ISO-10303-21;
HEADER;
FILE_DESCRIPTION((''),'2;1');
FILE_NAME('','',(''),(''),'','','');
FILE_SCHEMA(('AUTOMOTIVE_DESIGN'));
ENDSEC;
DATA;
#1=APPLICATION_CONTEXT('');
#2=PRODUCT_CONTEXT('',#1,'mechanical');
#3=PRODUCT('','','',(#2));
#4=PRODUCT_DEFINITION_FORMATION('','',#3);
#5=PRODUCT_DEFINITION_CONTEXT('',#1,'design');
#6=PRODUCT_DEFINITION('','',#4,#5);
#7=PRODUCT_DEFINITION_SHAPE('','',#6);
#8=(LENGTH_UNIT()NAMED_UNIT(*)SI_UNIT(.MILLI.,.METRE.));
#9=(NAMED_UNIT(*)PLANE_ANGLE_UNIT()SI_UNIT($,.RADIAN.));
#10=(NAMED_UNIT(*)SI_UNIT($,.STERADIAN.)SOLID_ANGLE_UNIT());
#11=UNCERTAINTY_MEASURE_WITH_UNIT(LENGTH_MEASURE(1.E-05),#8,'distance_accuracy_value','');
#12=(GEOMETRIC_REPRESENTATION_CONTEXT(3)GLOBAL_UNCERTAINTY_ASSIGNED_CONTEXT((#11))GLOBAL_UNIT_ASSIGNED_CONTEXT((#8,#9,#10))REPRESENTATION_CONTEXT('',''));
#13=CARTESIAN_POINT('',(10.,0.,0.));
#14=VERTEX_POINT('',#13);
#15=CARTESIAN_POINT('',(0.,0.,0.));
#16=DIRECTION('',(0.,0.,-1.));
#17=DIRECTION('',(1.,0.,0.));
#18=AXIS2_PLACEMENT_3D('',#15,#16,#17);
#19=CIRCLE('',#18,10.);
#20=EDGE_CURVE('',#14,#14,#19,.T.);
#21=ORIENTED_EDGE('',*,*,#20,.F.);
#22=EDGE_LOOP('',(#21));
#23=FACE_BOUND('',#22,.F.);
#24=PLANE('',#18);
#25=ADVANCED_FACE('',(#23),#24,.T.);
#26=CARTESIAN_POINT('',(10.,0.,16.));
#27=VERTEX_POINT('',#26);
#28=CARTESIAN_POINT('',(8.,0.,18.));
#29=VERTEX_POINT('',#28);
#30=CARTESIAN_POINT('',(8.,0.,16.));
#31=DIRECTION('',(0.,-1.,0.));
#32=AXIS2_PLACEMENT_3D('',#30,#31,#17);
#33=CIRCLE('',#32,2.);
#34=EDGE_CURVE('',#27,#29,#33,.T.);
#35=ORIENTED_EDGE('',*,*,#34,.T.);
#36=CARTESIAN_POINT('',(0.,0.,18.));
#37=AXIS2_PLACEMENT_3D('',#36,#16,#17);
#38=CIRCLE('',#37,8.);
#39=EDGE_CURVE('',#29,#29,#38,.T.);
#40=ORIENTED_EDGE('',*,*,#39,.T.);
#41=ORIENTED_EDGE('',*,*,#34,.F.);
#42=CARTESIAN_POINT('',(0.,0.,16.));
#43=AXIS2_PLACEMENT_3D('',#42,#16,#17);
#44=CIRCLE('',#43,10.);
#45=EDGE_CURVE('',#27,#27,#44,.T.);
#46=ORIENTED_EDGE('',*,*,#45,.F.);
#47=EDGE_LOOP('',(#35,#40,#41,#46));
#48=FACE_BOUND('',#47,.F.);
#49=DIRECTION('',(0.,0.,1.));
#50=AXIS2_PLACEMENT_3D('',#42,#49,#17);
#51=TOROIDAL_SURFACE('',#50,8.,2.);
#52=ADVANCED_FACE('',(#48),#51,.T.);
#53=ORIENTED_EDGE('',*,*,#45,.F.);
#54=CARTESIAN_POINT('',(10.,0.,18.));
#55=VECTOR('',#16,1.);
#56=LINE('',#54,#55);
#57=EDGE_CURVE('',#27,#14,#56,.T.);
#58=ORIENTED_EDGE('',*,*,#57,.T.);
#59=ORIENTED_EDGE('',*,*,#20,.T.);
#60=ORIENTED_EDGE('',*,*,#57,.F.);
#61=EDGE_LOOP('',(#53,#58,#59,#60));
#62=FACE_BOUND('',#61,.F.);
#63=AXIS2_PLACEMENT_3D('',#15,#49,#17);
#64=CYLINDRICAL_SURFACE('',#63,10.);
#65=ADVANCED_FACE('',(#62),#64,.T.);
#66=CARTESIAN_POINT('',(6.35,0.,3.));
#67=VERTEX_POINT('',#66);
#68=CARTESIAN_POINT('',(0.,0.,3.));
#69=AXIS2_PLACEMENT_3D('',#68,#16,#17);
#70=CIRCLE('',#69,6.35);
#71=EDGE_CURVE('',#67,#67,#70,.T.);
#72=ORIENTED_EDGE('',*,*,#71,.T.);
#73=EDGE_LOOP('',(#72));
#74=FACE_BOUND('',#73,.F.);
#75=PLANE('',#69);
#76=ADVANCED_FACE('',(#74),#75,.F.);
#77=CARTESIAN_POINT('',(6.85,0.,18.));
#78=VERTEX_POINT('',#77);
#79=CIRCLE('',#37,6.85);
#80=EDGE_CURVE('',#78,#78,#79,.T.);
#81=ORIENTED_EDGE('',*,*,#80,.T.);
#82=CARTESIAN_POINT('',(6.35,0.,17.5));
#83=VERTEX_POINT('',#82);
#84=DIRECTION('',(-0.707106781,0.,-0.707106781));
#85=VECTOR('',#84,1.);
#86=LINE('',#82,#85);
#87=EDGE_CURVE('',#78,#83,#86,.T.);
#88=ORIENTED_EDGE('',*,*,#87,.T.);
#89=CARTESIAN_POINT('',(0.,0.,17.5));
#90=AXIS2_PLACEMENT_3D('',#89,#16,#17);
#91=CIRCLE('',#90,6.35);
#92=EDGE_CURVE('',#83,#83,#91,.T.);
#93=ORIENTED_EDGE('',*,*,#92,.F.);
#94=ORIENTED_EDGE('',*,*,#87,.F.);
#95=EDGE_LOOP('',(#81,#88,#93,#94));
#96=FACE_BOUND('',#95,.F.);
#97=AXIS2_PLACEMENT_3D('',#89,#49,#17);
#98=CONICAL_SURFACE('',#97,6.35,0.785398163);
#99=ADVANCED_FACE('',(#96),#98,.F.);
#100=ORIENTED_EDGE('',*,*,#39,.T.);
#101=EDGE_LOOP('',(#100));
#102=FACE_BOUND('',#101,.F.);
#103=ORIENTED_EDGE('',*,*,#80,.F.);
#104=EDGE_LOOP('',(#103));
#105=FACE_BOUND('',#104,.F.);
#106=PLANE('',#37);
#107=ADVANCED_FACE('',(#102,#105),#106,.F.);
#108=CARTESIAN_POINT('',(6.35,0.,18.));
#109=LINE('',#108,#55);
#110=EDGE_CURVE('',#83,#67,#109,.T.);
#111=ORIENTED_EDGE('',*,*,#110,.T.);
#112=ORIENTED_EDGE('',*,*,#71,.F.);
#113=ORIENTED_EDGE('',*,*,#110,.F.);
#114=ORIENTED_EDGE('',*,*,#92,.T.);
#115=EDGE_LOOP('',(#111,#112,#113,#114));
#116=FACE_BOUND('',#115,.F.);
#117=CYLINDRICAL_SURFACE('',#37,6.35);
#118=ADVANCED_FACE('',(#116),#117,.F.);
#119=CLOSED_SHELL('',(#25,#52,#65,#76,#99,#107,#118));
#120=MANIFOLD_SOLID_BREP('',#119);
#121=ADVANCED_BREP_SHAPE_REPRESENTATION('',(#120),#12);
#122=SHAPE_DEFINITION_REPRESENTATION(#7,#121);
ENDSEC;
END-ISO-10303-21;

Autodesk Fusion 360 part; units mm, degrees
sketch "Sketch1" plane through (0, 0, 0) normal (0, 1, 0) x (1, 0, 0)
  line L0 (0, 0) -> (10, 0)
  line L1 (10, 0) -> (10, -3)
  line L2 (10, -3) -> (0, -3)
  line L3 (0, -3) -> (0, 0)
  line L4 (0, -3) -> (6.35, -3)
  line L5 (10, -3) -> (6.35, -3)
  line L6 (6.35, -3) -> (10, -3)
  line L7 (10, -3) -> (10, -18)
  line L8 (10, -18) -> (6.35, -18)
  line L9 (6.35, -18) -> (6.35, -3)
  dimension "d1" = 10
  dimension "d2" = 3
  dimension "d3" = 6.35
  dimension "d5" = 15
revolve "Revolve1" add sketch "Sketch1" angle 360 about axis through (0, 0, 3) along (0, 0, -1)
fillet "Fillet1" radius 2 1 edges at (-9.3233, -3.6162, 18)
chamfer "Chamfer1" distance 0.5 angle 45 1 edges at (-5.9203, -2.2963, 18)
